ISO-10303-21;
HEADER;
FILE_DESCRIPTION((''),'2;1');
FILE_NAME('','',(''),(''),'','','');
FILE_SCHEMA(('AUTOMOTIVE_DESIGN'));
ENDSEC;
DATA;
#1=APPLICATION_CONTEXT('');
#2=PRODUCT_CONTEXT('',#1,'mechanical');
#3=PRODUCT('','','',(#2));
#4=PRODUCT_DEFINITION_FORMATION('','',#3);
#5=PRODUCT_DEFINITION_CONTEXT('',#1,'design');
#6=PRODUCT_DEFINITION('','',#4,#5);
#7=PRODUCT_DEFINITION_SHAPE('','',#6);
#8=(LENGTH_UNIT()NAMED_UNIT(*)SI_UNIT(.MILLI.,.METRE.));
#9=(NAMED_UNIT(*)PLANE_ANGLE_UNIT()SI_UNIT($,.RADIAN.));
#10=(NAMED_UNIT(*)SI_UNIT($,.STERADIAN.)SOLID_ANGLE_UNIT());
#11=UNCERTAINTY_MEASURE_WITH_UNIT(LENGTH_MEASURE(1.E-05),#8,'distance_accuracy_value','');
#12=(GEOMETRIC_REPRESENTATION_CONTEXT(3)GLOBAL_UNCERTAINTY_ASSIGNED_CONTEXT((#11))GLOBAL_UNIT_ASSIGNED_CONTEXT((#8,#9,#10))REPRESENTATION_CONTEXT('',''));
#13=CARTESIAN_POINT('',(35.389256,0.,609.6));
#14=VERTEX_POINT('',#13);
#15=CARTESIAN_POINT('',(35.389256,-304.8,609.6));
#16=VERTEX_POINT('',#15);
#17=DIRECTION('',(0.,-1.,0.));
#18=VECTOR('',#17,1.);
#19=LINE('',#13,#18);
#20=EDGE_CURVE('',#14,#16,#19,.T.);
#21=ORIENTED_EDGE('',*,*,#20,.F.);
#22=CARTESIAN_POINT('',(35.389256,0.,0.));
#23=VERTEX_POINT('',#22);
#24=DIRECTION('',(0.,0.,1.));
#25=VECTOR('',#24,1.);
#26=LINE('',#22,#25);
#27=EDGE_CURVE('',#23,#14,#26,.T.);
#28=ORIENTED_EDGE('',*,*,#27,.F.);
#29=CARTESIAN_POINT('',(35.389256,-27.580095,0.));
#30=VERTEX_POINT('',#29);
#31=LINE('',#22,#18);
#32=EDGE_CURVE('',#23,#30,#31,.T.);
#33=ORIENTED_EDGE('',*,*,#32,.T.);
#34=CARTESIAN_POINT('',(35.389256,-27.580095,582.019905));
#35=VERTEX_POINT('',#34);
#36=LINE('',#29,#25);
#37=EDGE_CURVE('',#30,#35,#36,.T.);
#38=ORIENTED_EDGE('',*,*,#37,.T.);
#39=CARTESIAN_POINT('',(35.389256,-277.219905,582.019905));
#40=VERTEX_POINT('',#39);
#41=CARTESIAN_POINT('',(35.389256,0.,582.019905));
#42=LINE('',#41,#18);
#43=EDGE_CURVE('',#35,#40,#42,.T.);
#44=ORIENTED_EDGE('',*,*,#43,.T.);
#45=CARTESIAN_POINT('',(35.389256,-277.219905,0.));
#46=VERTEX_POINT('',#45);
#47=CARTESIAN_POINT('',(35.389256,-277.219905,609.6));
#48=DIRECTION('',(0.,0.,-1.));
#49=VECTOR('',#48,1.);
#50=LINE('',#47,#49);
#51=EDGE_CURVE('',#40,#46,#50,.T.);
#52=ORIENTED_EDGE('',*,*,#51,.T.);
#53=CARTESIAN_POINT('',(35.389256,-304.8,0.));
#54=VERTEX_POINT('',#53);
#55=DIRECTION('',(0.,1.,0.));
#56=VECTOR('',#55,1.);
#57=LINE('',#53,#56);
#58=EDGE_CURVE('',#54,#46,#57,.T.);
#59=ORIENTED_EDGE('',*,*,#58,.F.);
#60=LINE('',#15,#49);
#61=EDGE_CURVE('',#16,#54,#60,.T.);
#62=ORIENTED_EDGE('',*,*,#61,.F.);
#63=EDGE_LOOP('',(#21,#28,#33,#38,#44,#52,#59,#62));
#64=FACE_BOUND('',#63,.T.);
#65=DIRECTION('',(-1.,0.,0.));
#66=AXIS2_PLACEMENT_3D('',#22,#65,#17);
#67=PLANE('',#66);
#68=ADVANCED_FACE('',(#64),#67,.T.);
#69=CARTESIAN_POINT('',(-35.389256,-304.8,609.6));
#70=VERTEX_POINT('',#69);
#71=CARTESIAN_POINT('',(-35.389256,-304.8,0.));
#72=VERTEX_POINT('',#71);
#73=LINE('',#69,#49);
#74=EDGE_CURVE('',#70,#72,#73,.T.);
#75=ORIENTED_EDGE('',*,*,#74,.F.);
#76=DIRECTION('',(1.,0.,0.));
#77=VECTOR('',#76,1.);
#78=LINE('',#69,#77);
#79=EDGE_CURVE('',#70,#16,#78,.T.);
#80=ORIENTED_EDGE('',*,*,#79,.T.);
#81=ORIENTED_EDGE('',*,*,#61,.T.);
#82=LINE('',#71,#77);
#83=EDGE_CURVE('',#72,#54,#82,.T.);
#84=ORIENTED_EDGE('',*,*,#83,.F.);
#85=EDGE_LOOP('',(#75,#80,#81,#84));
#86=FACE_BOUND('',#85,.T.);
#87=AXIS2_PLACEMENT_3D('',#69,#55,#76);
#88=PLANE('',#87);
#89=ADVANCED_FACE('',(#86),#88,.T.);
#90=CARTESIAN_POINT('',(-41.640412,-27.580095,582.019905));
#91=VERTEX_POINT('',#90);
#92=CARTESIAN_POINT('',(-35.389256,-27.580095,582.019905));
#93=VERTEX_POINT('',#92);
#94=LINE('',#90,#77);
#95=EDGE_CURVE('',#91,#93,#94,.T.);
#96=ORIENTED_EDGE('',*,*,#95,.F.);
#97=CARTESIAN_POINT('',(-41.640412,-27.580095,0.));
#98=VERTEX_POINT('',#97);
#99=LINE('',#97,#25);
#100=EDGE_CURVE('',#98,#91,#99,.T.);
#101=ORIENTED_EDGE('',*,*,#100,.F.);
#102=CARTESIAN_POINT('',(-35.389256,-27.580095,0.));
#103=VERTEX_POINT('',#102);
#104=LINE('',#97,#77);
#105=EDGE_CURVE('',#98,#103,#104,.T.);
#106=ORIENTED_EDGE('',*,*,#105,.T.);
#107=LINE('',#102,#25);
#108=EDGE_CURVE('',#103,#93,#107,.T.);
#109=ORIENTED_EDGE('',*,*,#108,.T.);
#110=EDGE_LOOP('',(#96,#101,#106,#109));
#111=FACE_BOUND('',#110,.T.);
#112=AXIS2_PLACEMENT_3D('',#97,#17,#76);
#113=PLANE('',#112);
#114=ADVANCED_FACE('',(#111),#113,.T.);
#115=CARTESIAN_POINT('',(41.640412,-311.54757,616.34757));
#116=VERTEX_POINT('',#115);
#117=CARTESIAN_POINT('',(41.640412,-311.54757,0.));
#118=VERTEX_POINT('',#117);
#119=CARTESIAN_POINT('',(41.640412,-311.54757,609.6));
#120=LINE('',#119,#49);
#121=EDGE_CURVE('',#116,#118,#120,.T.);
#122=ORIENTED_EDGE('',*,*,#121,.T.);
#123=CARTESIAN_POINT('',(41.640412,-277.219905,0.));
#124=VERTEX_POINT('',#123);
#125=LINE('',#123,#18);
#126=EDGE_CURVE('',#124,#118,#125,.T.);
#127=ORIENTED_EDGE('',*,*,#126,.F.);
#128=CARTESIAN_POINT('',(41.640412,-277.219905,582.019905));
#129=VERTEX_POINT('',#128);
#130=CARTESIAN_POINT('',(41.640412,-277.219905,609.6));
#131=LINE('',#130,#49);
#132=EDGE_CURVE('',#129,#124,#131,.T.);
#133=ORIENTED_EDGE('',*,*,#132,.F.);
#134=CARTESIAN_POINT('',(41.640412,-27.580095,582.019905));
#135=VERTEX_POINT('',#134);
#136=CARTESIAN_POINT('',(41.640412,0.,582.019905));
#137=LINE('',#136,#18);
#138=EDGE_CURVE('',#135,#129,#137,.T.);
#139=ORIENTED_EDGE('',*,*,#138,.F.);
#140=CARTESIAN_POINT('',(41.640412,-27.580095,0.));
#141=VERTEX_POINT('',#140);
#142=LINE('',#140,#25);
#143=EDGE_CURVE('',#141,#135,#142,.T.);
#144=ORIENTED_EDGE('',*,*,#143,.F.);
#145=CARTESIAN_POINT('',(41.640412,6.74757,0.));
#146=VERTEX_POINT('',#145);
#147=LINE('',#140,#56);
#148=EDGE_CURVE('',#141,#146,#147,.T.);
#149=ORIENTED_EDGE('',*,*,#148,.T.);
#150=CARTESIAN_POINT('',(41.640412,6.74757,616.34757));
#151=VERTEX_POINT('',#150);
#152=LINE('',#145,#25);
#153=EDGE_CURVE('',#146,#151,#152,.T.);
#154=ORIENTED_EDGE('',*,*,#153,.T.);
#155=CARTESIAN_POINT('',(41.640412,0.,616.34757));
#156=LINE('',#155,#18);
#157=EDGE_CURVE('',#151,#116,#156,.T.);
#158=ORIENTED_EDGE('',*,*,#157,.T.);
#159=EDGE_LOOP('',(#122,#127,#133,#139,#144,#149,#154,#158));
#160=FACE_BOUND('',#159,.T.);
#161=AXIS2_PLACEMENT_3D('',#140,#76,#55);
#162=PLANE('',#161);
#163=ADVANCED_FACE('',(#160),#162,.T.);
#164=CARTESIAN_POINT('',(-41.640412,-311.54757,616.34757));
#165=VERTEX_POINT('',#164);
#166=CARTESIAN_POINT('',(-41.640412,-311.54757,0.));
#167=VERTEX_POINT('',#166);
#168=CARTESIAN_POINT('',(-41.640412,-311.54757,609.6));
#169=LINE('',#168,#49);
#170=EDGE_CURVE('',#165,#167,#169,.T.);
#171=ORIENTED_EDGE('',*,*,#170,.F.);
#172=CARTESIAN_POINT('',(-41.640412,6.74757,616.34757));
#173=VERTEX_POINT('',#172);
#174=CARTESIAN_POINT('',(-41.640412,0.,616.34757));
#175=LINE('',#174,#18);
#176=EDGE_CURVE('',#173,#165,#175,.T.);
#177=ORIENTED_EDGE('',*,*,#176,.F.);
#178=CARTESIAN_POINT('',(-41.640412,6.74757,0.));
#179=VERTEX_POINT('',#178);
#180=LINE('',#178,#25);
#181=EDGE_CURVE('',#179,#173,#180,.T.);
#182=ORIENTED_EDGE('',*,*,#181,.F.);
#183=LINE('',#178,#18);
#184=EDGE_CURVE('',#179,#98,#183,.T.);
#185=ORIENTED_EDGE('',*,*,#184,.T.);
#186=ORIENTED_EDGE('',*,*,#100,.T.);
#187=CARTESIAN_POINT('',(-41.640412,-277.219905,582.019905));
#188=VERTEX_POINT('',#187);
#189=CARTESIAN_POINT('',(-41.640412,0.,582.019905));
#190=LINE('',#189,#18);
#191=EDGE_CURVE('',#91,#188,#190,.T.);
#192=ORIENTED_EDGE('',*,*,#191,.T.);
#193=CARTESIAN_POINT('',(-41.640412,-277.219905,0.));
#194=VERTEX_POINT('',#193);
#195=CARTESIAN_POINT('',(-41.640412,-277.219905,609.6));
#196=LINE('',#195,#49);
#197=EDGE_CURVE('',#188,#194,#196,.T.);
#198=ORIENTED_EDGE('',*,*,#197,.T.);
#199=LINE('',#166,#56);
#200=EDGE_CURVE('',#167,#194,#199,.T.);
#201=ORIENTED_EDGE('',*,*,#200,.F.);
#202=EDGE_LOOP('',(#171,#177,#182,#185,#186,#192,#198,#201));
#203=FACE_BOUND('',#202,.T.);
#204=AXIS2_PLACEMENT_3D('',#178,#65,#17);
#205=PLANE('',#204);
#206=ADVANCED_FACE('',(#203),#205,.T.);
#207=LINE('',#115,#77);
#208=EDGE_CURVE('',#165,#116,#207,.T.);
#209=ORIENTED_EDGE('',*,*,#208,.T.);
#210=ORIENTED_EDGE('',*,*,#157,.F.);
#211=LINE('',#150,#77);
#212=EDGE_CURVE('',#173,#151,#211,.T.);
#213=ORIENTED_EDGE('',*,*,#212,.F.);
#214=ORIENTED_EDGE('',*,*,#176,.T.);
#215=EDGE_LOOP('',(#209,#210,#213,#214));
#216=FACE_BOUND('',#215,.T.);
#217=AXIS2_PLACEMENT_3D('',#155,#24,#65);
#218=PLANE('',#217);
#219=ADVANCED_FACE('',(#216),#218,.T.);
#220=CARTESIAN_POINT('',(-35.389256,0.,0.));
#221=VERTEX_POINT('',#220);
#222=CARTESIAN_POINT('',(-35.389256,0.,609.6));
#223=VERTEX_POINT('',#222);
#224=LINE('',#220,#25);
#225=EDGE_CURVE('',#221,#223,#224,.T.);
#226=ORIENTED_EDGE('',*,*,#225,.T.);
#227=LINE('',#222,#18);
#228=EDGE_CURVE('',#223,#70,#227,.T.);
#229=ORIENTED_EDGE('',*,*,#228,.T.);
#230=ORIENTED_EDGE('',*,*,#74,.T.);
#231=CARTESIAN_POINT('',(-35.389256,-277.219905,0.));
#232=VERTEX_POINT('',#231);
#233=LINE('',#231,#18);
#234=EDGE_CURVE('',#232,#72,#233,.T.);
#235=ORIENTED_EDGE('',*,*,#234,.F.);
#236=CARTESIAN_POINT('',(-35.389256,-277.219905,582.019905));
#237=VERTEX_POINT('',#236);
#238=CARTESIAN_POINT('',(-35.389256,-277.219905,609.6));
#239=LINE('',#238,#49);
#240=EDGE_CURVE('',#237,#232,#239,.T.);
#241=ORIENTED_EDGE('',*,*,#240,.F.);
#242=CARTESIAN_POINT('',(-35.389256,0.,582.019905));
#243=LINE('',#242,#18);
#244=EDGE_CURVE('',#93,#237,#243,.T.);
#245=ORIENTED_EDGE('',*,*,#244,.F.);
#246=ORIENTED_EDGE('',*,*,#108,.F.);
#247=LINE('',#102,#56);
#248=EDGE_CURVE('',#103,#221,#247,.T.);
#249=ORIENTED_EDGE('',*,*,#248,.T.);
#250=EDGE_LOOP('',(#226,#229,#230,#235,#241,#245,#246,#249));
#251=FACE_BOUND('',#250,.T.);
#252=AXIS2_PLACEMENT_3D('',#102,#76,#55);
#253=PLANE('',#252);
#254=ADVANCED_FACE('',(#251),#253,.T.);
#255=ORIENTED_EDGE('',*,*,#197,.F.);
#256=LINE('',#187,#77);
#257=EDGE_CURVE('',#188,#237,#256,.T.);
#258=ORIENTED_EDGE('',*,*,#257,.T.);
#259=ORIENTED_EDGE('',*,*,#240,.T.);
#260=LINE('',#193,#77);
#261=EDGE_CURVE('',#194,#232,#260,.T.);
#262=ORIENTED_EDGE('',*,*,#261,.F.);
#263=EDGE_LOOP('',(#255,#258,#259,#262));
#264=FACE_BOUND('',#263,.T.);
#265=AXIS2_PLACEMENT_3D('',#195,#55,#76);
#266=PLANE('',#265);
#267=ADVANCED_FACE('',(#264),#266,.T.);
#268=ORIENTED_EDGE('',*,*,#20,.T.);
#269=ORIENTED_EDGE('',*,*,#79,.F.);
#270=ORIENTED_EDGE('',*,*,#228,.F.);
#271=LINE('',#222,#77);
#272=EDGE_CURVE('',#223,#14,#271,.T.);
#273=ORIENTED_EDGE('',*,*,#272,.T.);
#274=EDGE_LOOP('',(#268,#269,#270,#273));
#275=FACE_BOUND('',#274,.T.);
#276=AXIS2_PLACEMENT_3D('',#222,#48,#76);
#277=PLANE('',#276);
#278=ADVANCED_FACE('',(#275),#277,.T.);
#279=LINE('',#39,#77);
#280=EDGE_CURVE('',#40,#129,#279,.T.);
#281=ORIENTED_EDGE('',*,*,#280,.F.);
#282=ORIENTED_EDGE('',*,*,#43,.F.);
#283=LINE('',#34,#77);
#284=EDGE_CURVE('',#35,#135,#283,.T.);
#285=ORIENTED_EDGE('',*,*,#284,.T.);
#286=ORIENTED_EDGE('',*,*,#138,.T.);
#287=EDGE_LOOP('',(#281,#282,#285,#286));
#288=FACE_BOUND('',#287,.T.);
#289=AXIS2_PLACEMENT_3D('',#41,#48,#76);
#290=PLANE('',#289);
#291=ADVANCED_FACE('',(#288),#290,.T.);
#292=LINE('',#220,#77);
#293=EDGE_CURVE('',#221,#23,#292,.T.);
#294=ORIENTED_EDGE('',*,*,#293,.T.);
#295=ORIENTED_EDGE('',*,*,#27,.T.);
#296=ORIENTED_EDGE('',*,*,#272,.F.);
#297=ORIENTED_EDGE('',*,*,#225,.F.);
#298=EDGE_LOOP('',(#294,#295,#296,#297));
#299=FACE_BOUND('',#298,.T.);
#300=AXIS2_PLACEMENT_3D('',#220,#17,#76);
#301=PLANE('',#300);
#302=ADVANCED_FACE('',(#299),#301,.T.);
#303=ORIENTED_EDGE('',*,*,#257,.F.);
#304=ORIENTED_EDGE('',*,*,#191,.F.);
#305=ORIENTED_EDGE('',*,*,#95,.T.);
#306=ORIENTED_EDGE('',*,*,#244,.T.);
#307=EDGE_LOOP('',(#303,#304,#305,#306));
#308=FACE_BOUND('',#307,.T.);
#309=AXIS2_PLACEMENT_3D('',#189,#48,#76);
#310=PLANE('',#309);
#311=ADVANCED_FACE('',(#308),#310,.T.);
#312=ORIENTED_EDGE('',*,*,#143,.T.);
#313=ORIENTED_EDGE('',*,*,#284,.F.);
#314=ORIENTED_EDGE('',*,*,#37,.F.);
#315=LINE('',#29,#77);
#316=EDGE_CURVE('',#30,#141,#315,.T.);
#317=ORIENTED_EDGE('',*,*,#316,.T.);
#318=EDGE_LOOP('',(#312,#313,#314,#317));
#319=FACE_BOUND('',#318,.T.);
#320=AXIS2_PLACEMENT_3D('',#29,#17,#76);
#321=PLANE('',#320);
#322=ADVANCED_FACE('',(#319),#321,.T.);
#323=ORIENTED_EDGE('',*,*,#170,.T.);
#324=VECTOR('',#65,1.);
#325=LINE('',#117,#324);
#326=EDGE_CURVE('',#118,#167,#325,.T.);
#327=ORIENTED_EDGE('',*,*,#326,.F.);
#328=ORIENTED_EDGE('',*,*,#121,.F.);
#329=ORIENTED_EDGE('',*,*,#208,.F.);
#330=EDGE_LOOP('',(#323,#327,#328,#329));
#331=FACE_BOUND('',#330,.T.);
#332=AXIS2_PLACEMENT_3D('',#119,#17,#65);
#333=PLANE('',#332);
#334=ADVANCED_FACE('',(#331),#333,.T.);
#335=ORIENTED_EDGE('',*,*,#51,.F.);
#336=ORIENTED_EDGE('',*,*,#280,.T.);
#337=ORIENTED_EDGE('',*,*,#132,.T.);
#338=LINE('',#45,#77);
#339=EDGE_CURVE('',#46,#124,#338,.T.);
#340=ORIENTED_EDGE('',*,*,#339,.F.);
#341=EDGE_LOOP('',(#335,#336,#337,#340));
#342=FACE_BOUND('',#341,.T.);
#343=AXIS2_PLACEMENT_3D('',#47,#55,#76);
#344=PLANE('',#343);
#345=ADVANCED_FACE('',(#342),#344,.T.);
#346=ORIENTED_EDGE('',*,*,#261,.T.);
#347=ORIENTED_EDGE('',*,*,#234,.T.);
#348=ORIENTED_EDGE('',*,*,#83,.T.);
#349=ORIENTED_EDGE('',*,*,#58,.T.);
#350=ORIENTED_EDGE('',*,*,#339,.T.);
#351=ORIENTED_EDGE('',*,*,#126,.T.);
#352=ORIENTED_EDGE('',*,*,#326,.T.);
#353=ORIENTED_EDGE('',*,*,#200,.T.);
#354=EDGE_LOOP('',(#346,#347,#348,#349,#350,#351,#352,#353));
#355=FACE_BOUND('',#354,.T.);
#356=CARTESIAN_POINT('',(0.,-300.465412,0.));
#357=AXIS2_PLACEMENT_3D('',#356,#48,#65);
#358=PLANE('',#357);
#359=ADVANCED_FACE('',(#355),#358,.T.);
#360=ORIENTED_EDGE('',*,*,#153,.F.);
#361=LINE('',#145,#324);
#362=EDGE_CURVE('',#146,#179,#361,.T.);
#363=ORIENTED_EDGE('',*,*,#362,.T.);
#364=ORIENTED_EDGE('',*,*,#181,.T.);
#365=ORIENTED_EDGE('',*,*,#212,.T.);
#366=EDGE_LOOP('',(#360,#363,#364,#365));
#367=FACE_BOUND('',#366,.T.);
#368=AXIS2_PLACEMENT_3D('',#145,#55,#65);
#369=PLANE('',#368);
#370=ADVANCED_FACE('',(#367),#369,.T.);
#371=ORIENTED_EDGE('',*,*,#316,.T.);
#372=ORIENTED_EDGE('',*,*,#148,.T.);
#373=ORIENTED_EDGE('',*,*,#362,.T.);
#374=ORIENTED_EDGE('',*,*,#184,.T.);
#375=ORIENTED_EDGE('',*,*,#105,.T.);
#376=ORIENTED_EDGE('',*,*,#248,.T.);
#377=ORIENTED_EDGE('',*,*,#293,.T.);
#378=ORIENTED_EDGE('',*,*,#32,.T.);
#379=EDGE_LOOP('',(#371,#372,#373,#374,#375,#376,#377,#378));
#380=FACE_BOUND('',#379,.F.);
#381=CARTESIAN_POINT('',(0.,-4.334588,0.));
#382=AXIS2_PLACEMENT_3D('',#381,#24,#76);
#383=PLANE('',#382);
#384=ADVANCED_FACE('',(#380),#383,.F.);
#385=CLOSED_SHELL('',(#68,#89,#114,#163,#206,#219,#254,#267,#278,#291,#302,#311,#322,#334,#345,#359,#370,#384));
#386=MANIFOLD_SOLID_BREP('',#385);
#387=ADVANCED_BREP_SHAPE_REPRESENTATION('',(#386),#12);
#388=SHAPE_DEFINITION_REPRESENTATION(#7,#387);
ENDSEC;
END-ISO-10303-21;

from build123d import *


with BuildPart() as f2:
    # F2: sweep along a path in F1
    with BuildLine(Plane.YZ) as f2_path:
        Line((0, 0), (0, 609.6))
        Line((0, 609.6), (-304.8, 609.6))
        Line((-304.8, 609.6), (-304.8, 0))
    # F0 (on Top) → F2 (sweep)
    with BuildSketch(Plane.XY):
        Polygon((41.6404120624, 6.7475703545), (0, 6.7475703545), (-41.6404120624, 6.7475703545), (-41.6404120624, -27.5800954551), (-35.3892557323, -27.5800954551), (-35.3892557323, 0), (0, 0), (35.3892557323, 0), (35.3892557323, -27.5800954551), (41.6404120624, -27.5800954551), align=None)
    sweep(path=f2_path.line, transition=Transition.RIGHT)


solid = f2.part
